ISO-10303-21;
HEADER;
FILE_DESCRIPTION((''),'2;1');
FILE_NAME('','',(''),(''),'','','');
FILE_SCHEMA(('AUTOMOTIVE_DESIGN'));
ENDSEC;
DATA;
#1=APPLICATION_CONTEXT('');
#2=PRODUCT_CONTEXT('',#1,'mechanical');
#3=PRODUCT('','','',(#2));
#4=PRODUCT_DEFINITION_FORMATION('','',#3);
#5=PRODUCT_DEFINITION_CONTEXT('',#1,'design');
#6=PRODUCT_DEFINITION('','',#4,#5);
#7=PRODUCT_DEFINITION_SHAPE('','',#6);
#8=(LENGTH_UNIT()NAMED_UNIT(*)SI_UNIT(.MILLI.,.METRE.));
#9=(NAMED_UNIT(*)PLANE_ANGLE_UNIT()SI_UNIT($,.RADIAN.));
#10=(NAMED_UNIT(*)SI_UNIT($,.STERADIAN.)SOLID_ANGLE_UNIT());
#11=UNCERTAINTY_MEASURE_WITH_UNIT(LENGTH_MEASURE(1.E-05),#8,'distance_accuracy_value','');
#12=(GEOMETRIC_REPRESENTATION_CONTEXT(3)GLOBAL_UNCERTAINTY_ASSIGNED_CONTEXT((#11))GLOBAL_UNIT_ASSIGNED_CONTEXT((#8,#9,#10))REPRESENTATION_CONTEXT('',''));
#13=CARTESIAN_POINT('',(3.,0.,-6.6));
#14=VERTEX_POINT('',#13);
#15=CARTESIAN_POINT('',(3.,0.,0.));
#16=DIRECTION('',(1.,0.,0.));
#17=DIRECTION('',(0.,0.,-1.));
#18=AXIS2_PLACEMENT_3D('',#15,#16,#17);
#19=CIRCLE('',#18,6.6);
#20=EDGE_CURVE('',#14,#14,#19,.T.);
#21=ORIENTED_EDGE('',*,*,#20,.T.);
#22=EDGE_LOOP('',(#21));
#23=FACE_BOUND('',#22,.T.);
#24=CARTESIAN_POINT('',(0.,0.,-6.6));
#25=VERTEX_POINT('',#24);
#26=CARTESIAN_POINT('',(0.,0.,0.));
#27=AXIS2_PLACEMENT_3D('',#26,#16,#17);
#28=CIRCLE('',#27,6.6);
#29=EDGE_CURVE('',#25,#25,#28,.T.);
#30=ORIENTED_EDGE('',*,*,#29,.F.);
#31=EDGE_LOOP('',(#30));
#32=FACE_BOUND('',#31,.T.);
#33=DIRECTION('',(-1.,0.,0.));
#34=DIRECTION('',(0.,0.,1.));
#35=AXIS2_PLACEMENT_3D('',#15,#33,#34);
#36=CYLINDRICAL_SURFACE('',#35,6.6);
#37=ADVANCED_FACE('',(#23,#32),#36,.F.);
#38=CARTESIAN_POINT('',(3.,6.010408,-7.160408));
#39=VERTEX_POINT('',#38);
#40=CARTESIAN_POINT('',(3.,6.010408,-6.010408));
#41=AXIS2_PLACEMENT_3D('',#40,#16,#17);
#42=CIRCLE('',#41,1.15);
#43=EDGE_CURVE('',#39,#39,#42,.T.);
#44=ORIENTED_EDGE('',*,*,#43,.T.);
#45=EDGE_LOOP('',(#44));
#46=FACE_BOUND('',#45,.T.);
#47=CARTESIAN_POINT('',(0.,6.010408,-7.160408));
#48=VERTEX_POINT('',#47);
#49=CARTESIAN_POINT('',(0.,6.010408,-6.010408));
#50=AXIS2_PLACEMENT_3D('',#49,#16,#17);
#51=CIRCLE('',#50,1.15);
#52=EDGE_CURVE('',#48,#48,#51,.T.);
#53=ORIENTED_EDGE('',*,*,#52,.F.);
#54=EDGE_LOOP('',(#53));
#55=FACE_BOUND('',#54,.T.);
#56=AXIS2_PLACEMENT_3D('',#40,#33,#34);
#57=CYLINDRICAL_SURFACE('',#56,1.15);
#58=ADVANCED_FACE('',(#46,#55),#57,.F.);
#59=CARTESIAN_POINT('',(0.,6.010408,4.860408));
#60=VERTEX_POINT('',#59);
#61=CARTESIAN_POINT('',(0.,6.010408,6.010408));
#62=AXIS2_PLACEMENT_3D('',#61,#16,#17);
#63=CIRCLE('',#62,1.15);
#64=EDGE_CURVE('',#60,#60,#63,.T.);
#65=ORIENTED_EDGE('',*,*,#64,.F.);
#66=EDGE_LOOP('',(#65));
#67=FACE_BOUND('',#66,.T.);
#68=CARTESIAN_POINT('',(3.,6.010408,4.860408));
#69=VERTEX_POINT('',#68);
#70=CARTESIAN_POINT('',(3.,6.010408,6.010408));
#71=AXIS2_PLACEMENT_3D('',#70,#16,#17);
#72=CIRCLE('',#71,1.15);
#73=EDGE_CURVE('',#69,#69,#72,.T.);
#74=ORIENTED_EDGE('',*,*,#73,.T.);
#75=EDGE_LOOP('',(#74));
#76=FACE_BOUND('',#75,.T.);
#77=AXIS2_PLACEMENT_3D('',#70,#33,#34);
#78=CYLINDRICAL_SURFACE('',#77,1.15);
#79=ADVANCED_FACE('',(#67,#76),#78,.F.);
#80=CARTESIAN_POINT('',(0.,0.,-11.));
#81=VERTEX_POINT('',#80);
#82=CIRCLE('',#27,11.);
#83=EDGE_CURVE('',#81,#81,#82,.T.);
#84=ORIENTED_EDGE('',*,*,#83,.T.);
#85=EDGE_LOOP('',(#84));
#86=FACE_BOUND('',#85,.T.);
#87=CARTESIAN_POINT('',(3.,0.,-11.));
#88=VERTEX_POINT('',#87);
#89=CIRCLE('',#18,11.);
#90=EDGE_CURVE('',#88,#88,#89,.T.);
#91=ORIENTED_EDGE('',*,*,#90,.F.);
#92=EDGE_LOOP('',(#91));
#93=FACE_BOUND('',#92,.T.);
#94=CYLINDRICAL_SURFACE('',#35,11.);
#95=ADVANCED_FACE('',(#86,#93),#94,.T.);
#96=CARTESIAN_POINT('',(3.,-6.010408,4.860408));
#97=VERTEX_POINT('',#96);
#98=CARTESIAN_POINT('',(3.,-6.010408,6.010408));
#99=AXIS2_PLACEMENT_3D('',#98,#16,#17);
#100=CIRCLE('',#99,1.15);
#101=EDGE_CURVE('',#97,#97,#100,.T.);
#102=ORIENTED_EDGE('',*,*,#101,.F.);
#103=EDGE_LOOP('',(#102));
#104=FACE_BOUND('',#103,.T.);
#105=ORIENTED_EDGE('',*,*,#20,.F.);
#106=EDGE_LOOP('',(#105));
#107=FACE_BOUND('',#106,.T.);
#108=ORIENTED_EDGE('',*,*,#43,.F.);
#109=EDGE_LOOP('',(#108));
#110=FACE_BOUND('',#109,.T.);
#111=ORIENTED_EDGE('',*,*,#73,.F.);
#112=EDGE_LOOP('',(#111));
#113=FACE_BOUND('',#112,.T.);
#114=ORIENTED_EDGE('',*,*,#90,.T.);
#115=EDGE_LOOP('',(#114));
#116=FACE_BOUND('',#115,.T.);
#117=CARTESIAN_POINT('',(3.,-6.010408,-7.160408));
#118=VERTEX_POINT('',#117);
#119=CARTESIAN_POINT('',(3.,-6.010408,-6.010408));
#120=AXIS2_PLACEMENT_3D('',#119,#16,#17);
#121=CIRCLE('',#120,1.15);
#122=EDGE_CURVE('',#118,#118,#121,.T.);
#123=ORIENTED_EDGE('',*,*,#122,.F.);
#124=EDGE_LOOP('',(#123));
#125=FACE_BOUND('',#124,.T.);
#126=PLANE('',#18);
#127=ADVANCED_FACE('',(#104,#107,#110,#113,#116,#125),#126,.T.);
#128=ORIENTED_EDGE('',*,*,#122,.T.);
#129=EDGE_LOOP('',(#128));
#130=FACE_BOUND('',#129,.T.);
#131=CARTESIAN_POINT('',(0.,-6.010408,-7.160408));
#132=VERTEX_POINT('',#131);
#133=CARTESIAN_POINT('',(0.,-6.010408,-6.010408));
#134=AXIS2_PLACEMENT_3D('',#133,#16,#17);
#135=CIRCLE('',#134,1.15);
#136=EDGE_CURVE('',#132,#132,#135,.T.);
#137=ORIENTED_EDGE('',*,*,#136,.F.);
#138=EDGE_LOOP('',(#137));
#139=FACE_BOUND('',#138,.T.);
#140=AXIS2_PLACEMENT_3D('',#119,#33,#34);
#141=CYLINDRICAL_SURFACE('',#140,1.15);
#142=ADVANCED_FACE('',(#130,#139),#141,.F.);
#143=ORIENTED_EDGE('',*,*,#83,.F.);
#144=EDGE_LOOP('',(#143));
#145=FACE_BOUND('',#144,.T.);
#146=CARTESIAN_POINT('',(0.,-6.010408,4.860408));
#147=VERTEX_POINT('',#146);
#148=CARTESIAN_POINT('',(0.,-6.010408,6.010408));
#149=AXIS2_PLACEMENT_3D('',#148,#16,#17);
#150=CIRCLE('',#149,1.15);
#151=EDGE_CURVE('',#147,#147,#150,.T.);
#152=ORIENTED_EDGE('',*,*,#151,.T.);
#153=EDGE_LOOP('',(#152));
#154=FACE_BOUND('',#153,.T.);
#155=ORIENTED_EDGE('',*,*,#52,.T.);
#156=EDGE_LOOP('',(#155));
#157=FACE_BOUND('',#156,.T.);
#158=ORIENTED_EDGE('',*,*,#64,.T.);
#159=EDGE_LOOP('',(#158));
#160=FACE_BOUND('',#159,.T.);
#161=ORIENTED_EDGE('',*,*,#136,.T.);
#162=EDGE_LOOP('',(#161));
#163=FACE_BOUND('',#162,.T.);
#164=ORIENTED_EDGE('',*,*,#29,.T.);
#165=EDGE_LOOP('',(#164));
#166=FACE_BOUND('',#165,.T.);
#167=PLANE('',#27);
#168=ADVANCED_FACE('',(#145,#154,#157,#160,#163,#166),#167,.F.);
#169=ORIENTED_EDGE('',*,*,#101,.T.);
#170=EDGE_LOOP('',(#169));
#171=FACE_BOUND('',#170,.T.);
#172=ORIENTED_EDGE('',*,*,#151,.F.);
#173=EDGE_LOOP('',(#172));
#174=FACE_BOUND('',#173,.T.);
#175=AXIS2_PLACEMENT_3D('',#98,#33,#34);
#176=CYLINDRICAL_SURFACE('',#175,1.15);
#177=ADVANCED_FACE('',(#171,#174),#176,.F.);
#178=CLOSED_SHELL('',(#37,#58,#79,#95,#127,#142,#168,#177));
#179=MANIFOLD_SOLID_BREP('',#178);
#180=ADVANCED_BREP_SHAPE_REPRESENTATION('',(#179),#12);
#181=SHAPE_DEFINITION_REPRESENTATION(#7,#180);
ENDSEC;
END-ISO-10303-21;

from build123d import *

# Parameters (mm, degrees)
SKETCH2_R           = 11
SKETCH2_R_2         = 6.6
BOSS_EXTRUDE1_DEPTH = 3
SKETCH3_R           = 1.15
CUT_EXTRUDE1_DEPTH  = 4


with BuildPart() as part:
    # Sketch2 → Boss-Extrude1 (new body)
    with BuildSketch(Plane(origin=(0, 0, 0), x_dir=(0, 0, -1), z_dir=(1, 0, 0))):
        Circle(SKETCH2_R)
        Circle(SKETCH2_R_2, mode=Mode.SUBTRACT)
    extrude(amount=BOSS_EXTRUDE1_DEPTH)

    # Sketch3 → Cut-Extrude1 (cut, through all)
    with BuildSketch(Plane(origin=(0, 0, 0), x_dir=(0, 0, -1), z_dir=(1, 0, 0))):
        with Locations((6.01040764, 6.01040764)):
            Circle(SKETCH3_R)
        with Locations((6.01040764, -6.01040764)):
            Circle(SKETCH3_R)
        with Locations((-6.01040764, -6.01040764)):
            Circle(SKETCH3_R)
        with Locations((-6.01040764, 6.01040764)):
            Circle(SKETCH3_R)
    extrude(amount=CUT_EXTRUDE1_DEPTH, mode=Mode.SUBTRACT)


solid = part.part
